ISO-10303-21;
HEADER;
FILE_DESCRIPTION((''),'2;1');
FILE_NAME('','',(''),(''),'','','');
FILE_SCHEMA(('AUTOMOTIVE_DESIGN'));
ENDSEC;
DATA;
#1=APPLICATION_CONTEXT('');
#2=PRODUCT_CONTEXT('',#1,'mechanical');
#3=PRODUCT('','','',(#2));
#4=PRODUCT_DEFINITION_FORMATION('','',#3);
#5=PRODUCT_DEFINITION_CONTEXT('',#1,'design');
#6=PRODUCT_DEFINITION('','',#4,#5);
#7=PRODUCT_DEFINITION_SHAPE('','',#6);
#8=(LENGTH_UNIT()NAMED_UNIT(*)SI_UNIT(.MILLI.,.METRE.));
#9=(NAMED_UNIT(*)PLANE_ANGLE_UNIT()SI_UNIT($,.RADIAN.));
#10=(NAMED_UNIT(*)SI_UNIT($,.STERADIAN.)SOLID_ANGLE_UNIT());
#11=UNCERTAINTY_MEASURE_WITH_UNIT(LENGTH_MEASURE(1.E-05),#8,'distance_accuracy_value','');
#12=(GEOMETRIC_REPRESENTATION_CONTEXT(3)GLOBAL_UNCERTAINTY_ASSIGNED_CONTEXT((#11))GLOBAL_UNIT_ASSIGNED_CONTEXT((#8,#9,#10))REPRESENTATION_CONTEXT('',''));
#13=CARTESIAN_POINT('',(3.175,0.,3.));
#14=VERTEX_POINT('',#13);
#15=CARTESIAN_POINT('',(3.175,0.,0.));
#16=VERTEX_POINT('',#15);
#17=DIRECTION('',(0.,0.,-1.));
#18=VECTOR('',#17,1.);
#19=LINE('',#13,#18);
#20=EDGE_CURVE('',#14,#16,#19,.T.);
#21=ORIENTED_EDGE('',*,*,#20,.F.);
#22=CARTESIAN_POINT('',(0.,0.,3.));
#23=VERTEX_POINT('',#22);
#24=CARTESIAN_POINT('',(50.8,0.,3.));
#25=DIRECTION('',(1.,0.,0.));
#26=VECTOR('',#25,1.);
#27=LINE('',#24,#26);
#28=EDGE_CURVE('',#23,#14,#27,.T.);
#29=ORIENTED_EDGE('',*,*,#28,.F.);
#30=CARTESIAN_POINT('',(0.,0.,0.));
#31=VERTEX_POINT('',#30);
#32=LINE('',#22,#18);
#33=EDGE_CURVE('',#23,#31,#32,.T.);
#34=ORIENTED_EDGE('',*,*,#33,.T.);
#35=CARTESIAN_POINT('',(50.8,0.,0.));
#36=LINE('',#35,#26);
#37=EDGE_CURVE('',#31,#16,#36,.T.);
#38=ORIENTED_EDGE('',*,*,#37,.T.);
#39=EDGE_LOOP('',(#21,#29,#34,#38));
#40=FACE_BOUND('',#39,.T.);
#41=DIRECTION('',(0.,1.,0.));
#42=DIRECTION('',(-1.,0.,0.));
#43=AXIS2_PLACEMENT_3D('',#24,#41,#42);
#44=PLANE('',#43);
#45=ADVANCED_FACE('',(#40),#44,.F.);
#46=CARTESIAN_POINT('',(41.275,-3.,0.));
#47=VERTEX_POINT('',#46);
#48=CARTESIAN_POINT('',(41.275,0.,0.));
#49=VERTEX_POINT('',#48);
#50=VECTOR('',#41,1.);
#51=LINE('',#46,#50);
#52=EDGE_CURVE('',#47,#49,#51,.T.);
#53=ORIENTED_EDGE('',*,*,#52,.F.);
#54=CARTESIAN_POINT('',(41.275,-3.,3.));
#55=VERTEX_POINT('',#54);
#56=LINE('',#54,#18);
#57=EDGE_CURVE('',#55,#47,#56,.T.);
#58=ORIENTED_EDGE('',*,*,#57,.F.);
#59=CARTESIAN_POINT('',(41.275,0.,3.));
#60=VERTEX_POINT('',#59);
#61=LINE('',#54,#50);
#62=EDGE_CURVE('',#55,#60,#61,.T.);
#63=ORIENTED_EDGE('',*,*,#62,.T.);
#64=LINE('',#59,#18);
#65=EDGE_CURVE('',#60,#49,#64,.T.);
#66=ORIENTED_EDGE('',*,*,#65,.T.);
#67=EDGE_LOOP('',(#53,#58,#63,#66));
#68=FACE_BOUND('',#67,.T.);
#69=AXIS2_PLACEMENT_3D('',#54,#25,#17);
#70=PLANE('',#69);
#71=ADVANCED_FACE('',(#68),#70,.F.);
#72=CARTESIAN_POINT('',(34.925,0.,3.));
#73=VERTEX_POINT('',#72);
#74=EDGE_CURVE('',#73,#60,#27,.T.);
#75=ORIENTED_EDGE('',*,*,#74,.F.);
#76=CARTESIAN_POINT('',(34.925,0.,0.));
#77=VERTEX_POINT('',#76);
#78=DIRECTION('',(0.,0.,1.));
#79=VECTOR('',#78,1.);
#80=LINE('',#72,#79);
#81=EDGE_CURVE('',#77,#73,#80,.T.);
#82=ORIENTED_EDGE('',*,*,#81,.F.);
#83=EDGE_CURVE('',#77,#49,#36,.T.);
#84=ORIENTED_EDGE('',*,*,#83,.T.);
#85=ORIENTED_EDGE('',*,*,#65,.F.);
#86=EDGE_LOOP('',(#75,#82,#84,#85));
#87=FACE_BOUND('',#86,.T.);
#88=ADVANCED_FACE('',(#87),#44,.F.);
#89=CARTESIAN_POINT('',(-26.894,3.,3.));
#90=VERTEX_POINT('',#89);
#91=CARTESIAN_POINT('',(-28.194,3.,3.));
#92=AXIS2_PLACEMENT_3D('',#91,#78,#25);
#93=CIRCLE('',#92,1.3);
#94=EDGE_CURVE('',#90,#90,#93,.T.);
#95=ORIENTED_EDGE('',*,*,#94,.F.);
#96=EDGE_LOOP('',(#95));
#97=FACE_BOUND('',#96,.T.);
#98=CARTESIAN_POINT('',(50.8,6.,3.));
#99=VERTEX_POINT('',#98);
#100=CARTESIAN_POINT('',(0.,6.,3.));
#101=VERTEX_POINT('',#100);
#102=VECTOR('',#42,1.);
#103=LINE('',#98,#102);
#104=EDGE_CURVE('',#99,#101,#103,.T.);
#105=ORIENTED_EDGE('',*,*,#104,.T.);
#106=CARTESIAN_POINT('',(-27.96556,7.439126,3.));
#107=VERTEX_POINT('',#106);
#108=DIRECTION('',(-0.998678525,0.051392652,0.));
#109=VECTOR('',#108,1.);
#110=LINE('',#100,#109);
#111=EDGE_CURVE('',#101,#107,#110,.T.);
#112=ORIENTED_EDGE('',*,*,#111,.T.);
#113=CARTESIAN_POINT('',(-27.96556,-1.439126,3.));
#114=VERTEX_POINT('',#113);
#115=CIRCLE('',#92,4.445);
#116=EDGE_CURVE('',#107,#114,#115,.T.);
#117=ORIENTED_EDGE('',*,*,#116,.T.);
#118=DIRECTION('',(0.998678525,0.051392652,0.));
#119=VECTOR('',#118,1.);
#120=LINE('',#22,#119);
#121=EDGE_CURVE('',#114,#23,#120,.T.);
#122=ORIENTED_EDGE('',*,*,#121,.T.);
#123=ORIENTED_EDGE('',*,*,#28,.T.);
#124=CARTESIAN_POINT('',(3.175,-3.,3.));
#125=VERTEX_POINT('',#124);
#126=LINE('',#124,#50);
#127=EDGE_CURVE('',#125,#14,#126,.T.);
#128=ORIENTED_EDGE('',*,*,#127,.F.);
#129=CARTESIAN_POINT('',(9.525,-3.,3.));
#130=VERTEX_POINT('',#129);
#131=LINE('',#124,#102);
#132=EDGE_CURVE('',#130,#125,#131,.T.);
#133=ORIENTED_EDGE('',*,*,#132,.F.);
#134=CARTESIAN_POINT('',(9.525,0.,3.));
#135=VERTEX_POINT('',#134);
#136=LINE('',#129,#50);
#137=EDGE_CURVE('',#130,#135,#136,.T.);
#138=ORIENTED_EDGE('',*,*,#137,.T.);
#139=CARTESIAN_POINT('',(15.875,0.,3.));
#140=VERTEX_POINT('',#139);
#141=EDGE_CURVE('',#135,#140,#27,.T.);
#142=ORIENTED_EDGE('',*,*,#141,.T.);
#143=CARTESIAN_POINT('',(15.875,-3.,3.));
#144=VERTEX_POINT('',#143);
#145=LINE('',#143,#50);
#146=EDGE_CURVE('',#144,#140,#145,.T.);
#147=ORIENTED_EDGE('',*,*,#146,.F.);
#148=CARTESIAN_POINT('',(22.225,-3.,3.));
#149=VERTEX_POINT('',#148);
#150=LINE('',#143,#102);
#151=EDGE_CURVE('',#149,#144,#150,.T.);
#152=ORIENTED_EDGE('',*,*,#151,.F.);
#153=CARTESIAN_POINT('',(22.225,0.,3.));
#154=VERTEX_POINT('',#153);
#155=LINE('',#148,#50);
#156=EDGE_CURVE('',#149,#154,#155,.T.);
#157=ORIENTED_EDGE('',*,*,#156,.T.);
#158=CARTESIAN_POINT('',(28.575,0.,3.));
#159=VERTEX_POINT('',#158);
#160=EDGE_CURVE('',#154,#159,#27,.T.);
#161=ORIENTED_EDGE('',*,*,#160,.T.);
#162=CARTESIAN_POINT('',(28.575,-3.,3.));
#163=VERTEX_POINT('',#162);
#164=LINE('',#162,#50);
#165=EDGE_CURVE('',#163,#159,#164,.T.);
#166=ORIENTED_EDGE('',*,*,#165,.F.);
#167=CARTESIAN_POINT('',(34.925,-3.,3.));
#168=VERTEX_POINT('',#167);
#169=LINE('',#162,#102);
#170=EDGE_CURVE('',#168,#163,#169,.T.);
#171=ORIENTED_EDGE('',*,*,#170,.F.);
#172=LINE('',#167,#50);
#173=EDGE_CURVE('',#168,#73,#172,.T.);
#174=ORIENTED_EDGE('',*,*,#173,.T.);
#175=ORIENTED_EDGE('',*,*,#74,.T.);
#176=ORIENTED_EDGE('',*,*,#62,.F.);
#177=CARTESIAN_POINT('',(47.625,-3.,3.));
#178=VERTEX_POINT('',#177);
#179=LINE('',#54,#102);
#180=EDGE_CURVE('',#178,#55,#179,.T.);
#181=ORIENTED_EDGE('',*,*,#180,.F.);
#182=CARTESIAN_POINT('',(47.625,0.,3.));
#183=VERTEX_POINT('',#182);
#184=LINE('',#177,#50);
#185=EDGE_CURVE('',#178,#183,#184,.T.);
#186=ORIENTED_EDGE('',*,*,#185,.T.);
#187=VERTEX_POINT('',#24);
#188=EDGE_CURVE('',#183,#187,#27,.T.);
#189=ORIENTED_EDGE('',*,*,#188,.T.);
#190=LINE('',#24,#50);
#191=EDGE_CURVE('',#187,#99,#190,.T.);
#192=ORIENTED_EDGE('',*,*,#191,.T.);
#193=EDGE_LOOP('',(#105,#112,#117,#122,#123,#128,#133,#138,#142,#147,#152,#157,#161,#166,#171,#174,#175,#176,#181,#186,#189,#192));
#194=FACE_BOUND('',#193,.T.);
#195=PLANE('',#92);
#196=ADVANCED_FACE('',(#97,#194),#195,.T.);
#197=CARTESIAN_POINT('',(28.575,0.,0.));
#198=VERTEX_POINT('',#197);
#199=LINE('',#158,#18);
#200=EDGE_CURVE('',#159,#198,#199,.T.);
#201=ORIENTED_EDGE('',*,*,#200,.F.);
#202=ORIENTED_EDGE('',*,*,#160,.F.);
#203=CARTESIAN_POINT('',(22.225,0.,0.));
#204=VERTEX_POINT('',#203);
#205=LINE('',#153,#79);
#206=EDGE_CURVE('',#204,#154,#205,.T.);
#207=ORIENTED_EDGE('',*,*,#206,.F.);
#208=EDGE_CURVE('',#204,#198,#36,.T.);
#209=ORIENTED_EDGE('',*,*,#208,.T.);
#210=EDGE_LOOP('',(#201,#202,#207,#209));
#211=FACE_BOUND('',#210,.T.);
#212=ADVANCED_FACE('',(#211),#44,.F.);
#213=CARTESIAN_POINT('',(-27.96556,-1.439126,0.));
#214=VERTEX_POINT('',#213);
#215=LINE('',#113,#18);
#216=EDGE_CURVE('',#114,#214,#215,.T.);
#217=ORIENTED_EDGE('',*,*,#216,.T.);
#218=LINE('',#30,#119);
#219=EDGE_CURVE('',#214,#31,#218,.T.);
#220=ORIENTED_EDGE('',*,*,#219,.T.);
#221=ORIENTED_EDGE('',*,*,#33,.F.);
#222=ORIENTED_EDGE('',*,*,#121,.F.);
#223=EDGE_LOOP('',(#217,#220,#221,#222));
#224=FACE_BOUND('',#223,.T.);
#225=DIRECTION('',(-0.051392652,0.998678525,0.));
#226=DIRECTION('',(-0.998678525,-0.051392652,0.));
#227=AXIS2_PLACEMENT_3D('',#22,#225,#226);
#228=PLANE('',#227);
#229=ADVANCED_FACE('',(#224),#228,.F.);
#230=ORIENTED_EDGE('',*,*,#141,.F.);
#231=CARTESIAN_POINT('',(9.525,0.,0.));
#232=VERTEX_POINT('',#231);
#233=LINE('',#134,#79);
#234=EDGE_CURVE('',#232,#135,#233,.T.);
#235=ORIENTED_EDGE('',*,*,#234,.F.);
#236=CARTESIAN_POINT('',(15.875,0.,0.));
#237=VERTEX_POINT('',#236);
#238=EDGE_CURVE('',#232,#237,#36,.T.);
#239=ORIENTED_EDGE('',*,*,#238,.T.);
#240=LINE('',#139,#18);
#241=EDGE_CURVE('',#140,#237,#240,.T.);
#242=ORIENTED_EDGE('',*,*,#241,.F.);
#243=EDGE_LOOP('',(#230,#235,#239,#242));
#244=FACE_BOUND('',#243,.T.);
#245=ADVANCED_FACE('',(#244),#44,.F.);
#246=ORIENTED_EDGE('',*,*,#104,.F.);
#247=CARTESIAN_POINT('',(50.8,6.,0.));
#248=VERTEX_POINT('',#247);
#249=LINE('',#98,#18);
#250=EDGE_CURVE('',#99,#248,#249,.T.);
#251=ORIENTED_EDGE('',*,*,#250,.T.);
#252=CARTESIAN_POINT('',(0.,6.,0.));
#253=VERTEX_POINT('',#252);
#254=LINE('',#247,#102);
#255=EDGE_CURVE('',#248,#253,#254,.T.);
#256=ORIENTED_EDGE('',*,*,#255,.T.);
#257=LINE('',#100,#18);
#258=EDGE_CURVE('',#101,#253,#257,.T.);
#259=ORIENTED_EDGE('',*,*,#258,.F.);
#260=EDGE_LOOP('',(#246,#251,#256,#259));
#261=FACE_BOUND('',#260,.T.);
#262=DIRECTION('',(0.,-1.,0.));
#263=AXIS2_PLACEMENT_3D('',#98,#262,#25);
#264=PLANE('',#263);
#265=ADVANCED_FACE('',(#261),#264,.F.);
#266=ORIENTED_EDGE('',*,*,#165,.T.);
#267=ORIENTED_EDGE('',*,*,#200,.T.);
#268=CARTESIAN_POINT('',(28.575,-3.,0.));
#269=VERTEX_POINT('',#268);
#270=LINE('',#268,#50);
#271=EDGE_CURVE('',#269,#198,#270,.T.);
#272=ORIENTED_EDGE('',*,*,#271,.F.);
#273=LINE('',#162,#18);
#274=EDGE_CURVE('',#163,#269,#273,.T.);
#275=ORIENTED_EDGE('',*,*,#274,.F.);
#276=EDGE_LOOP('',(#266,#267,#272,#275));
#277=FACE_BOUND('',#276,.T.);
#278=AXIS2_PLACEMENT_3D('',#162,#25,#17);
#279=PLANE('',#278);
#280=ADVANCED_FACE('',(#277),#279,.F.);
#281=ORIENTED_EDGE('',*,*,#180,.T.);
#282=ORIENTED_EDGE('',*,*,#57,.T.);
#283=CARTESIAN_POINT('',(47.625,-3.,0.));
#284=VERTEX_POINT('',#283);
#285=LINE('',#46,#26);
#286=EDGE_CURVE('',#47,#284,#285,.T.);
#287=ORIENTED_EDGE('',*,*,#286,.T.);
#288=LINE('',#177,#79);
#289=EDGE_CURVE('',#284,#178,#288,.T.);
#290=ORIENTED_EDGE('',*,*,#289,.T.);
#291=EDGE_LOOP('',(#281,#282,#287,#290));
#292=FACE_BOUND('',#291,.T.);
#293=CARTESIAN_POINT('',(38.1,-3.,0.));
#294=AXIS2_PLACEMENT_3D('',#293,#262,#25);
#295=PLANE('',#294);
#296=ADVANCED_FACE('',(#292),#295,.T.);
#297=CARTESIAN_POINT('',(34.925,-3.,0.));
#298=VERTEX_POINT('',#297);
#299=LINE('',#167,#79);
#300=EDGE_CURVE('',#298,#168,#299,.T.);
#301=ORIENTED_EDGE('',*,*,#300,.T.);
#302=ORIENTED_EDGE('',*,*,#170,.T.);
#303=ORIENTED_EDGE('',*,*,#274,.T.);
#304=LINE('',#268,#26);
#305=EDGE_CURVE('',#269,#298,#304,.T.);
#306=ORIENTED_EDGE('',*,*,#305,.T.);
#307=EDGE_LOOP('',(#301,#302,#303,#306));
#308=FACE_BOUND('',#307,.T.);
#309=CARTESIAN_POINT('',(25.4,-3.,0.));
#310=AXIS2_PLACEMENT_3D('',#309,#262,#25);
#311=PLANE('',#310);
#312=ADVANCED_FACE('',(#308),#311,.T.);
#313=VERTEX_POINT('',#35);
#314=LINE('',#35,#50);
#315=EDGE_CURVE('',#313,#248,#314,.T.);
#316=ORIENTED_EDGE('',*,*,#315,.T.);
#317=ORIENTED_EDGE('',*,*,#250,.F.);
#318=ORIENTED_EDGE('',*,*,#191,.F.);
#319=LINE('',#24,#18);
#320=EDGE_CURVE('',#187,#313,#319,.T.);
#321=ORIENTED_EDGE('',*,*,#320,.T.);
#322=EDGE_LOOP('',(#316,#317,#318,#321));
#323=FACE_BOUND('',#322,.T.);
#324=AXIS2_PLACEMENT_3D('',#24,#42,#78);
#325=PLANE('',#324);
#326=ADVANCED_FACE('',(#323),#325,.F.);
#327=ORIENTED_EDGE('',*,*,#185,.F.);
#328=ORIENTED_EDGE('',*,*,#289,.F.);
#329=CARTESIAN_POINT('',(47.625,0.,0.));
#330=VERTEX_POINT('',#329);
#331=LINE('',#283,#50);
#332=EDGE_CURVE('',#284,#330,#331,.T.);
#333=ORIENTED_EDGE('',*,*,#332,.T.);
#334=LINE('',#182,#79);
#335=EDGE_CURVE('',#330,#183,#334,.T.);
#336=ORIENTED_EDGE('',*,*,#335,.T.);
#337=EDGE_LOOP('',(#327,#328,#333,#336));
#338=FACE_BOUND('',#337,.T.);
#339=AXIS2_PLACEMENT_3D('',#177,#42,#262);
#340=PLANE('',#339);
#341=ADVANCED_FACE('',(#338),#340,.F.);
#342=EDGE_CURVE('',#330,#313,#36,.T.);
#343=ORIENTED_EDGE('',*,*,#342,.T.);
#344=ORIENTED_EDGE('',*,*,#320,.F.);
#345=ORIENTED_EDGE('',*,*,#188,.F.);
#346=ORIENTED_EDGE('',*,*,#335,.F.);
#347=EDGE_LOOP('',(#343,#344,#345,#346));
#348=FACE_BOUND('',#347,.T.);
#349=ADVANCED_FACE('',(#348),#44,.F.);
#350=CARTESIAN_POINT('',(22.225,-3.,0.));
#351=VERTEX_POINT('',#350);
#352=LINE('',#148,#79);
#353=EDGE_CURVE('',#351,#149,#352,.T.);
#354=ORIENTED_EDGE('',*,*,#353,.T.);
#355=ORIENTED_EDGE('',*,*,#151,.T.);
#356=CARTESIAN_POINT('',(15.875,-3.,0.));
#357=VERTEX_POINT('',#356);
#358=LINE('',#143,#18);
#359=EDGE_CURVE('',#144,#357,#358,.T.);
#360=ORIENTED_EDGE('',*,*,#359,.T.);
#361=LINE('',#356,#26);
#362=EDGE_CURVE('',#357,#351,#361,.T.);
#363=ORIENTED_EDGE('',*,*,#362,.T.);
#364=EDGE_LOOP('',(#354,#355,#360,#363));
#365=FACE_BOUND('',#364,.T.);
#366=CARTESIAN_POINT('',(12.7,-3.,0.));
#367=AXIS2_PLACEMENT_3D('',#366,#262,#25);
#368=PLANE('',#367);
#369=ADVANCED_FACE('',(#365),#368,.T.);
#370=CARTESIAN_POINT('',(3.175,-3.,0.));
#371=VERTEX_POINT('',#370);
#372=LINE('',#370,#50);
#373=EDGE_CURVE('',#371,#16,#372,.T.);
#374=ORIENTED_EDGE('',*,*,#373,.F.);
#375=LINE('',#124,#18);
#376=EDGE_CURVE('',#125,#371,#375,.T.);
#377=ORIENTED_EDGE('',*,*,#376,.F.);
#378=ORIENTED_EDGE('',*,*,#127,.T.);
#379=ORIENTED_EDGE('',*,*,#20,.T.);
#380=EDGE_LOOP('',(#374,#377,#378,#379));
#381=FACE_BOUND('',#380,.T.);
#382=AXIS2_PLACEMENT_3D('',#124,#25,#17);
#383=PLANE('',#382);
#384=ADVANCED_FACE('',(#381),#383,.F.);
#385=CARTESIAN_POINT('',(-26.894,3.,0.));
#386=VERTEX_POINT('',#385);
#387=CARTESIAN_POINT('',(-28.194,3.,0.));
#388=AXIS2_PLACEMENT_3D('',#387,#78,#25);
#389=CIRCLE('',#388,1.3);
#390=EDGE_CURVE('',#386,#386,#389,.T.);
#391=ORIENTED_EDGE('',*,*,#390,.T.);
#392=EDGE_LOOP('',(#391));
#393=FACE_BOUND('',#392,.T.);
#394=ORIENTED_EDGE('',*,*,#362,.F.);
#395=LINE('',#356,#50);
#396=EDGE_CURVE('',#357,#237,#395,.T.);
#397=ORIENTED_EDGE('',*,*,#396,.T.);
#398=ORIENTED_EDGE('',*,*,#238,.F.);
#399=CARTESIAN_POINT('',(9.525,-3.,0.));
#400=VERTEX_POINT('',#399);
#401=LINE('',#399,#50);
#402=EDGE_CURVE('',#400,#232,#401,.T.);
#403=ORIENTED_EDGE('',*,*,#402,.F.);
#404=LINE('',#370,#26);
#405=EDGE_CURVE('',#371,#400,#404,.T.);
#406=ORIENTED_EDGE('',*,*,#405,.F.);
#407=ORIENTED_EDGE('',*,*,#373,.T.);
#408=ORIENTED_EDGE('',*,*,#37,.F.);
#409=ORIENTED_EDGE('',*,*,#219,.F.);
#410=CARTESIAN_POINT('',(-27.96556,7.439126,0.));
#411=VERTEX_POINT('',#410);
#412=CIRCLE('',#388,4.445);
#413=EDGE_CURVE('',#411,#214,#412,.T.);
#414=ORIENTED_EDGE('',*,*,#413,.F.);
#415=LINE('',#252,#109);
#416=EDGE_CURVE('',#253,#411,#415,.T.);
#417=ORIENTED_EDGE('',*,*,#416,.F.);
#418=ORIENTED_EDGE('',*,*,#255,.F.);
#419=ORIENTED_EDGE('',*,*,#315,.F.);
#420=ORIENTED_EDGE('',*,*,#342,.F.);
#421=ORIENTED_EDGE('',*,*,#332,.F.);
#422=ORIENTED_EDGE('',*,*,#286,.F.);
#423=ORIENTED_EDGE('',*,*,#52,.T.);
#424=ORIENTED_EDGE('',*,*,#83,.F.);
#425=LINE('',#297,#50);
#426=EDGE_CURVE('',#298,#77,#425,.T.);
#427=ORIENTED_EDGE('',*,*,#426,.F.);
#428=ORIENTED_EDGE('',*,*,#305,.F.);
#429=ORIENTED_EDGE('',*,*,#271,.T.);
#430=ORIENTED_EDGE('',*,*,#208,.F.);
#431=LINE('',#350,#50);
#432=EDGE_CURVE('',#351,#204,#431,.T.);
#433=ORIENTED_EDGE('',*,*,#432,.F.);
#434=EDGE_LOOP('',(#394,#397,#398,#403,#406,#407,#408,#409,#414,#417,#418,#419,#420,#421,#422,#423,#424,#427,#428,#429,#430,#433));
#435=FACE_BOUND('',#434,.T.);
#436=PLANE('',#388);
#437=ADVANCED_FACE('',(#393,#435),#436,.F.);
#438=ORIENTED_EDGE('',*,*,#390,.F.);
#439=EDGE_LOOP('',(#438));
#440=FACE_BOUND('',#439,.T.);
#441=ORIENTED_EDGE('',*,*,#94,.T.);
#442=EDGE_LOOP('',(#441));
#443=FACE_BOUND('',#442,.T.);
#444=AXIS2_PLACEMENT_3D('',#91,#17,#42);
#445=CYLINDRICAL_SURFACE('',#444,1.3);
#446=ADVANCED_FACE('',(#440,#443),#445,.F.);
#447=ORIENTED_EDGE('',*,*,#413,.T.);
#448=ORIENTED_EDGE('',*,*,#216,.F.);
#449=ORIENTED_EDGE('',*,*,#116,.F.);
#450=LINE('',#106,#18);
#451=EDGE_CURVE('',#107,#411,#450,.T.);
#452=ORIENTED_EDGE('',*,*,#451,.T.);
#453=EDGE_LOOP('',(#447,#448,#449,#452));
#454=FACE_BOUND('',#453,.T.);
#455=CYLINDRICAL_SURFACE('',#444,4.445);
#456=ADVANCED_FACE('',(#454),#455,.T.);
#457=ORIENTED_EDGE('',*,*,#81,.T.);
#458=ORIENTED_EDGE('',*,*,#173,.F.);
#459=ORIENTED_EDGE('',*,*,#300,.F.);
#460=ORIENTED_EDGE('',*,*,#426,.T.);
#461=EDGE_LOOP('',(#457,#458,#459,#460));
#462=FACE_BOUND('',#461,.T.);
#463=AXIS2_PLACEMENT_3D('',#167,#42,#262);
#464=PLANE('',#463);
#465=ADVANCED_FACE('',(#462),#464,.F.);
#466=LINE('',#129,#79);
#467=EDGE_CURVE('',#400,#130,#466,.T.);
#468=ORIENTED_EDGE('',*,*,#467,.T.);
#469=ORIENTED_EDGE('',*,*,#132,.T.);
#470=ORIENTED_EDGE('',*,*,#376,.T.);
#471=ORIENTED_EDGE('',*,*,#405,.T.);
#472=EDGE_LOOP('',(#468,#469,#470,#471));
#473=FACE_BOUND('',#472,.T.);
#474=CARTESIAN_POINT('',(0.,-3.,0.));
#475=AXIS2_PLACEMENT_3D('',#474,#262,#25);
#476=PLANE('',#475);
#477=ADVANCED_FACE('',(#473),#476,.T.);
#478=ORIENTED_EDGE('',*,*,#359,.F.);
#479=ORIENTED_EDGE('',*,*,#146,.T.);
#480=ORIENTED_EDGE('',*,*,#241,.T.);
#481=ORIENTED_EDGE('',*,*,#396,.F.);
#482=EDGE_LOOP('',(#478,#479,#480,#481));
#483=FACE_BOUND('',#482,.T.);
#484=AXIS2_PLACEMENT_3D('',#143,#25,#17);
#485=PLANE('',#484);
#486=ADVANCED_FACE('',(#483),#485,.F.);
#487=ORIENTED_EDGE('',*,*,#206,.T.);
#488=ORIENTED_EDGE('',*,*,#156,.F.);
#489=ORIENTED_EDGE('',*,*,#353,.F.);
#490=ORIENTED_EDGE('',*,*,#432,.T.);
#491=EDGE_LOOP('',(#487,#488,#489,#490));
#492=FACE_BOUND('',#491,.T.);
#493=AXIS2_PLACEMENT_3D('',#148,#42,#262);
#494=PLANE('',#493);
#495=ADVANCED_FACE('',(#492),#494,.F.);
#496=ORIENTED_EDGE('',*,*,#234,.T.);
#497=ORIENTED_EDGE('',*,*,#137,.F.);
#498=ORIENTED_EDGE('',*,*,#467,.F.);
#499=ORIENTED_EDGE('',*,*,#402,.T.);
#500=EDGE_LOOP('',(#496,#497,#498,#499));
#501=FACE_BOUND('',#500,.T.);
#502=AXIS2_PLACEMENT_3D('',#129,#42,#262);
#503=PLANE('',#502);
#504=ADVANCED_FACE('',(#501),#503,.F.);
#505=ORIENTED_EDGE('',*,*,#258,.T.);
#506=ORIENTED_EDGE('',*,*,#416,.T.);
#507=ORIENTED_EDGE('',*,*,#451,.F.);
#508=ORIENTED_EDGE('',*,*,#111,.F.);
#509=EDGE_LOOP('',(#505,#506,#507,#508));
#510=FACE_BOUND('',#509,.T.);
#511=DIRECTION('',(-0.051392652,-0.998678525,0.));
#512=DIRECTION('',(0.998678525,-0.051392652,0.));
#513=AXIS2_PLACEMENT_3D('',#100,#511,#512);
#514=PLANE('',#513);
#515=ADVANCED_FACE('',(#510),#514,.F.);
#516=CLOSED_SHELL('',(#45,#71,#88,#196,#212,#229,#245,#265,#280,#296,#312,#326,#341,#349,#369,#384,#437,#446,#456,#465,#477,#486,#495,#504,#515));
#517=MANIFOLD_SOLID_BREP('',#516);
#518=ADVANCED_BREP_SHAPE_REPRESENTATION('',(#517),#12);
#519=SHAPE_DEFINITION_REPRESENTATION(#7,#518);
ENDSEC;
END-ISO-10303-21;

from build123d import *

# Parameters (mm, degrees)
SKETCH2_R           = 1.3
BOSS_EXTRUDE1_DEPTH = 3
SKETCH3_W           = 6.35
SKETCH3_H           = 3
BOSS_EXTRUDE2_DEPTH = 3
LPATTERN1_COUNT     = 4
LPATTERN1_PITCH     = 12.7


with BuildPart() as part:
    # Sketch2 → Boss-Extrude1 (new body)
    with BuildSketch(Plane.XY):
        with BuildLine():
            Line((0, 6), (-27.965559662, 7.439126041))
            ThreePointArc((-27.965559662, 7.439126041), (-32.639, 3), (-27.965559662, -1.439126041))
            Line((-27.965559662, -1.439126041), (0, 0))
            Line((0, 0), (50.8, 0))
            Line((50.8, 0), (50.8, 6))
            Line((50.8, 6), (0, 6))
        make_face()
        with Locations((-28.194, 3)):
            Circle(SKETCH2_R, mode=Mode.SUBTRACT)
    extrude(amount=BOSS_EXTRUDE1_DEPTH)

    # Sketch3 → Boss-Extrude2 (add)
    with BuildSketch(Plane.XZ):
        with Locations((6.35, 1.5)):
            Rectangle(SKETCH3_W, SKETCH3_H)
    boss_extrude2 = extrude(amount=BOSS_EXTRUDE2_DEPTH)

    # LPattern1: Boss-Extrude2 ×4
    with Locations(*[(i * LPATTERN1_PITCH, 0, 0) for i in range(1, LPATTERN1_COUNT)]):
        add(boss_extrude2)


solid = part.part
